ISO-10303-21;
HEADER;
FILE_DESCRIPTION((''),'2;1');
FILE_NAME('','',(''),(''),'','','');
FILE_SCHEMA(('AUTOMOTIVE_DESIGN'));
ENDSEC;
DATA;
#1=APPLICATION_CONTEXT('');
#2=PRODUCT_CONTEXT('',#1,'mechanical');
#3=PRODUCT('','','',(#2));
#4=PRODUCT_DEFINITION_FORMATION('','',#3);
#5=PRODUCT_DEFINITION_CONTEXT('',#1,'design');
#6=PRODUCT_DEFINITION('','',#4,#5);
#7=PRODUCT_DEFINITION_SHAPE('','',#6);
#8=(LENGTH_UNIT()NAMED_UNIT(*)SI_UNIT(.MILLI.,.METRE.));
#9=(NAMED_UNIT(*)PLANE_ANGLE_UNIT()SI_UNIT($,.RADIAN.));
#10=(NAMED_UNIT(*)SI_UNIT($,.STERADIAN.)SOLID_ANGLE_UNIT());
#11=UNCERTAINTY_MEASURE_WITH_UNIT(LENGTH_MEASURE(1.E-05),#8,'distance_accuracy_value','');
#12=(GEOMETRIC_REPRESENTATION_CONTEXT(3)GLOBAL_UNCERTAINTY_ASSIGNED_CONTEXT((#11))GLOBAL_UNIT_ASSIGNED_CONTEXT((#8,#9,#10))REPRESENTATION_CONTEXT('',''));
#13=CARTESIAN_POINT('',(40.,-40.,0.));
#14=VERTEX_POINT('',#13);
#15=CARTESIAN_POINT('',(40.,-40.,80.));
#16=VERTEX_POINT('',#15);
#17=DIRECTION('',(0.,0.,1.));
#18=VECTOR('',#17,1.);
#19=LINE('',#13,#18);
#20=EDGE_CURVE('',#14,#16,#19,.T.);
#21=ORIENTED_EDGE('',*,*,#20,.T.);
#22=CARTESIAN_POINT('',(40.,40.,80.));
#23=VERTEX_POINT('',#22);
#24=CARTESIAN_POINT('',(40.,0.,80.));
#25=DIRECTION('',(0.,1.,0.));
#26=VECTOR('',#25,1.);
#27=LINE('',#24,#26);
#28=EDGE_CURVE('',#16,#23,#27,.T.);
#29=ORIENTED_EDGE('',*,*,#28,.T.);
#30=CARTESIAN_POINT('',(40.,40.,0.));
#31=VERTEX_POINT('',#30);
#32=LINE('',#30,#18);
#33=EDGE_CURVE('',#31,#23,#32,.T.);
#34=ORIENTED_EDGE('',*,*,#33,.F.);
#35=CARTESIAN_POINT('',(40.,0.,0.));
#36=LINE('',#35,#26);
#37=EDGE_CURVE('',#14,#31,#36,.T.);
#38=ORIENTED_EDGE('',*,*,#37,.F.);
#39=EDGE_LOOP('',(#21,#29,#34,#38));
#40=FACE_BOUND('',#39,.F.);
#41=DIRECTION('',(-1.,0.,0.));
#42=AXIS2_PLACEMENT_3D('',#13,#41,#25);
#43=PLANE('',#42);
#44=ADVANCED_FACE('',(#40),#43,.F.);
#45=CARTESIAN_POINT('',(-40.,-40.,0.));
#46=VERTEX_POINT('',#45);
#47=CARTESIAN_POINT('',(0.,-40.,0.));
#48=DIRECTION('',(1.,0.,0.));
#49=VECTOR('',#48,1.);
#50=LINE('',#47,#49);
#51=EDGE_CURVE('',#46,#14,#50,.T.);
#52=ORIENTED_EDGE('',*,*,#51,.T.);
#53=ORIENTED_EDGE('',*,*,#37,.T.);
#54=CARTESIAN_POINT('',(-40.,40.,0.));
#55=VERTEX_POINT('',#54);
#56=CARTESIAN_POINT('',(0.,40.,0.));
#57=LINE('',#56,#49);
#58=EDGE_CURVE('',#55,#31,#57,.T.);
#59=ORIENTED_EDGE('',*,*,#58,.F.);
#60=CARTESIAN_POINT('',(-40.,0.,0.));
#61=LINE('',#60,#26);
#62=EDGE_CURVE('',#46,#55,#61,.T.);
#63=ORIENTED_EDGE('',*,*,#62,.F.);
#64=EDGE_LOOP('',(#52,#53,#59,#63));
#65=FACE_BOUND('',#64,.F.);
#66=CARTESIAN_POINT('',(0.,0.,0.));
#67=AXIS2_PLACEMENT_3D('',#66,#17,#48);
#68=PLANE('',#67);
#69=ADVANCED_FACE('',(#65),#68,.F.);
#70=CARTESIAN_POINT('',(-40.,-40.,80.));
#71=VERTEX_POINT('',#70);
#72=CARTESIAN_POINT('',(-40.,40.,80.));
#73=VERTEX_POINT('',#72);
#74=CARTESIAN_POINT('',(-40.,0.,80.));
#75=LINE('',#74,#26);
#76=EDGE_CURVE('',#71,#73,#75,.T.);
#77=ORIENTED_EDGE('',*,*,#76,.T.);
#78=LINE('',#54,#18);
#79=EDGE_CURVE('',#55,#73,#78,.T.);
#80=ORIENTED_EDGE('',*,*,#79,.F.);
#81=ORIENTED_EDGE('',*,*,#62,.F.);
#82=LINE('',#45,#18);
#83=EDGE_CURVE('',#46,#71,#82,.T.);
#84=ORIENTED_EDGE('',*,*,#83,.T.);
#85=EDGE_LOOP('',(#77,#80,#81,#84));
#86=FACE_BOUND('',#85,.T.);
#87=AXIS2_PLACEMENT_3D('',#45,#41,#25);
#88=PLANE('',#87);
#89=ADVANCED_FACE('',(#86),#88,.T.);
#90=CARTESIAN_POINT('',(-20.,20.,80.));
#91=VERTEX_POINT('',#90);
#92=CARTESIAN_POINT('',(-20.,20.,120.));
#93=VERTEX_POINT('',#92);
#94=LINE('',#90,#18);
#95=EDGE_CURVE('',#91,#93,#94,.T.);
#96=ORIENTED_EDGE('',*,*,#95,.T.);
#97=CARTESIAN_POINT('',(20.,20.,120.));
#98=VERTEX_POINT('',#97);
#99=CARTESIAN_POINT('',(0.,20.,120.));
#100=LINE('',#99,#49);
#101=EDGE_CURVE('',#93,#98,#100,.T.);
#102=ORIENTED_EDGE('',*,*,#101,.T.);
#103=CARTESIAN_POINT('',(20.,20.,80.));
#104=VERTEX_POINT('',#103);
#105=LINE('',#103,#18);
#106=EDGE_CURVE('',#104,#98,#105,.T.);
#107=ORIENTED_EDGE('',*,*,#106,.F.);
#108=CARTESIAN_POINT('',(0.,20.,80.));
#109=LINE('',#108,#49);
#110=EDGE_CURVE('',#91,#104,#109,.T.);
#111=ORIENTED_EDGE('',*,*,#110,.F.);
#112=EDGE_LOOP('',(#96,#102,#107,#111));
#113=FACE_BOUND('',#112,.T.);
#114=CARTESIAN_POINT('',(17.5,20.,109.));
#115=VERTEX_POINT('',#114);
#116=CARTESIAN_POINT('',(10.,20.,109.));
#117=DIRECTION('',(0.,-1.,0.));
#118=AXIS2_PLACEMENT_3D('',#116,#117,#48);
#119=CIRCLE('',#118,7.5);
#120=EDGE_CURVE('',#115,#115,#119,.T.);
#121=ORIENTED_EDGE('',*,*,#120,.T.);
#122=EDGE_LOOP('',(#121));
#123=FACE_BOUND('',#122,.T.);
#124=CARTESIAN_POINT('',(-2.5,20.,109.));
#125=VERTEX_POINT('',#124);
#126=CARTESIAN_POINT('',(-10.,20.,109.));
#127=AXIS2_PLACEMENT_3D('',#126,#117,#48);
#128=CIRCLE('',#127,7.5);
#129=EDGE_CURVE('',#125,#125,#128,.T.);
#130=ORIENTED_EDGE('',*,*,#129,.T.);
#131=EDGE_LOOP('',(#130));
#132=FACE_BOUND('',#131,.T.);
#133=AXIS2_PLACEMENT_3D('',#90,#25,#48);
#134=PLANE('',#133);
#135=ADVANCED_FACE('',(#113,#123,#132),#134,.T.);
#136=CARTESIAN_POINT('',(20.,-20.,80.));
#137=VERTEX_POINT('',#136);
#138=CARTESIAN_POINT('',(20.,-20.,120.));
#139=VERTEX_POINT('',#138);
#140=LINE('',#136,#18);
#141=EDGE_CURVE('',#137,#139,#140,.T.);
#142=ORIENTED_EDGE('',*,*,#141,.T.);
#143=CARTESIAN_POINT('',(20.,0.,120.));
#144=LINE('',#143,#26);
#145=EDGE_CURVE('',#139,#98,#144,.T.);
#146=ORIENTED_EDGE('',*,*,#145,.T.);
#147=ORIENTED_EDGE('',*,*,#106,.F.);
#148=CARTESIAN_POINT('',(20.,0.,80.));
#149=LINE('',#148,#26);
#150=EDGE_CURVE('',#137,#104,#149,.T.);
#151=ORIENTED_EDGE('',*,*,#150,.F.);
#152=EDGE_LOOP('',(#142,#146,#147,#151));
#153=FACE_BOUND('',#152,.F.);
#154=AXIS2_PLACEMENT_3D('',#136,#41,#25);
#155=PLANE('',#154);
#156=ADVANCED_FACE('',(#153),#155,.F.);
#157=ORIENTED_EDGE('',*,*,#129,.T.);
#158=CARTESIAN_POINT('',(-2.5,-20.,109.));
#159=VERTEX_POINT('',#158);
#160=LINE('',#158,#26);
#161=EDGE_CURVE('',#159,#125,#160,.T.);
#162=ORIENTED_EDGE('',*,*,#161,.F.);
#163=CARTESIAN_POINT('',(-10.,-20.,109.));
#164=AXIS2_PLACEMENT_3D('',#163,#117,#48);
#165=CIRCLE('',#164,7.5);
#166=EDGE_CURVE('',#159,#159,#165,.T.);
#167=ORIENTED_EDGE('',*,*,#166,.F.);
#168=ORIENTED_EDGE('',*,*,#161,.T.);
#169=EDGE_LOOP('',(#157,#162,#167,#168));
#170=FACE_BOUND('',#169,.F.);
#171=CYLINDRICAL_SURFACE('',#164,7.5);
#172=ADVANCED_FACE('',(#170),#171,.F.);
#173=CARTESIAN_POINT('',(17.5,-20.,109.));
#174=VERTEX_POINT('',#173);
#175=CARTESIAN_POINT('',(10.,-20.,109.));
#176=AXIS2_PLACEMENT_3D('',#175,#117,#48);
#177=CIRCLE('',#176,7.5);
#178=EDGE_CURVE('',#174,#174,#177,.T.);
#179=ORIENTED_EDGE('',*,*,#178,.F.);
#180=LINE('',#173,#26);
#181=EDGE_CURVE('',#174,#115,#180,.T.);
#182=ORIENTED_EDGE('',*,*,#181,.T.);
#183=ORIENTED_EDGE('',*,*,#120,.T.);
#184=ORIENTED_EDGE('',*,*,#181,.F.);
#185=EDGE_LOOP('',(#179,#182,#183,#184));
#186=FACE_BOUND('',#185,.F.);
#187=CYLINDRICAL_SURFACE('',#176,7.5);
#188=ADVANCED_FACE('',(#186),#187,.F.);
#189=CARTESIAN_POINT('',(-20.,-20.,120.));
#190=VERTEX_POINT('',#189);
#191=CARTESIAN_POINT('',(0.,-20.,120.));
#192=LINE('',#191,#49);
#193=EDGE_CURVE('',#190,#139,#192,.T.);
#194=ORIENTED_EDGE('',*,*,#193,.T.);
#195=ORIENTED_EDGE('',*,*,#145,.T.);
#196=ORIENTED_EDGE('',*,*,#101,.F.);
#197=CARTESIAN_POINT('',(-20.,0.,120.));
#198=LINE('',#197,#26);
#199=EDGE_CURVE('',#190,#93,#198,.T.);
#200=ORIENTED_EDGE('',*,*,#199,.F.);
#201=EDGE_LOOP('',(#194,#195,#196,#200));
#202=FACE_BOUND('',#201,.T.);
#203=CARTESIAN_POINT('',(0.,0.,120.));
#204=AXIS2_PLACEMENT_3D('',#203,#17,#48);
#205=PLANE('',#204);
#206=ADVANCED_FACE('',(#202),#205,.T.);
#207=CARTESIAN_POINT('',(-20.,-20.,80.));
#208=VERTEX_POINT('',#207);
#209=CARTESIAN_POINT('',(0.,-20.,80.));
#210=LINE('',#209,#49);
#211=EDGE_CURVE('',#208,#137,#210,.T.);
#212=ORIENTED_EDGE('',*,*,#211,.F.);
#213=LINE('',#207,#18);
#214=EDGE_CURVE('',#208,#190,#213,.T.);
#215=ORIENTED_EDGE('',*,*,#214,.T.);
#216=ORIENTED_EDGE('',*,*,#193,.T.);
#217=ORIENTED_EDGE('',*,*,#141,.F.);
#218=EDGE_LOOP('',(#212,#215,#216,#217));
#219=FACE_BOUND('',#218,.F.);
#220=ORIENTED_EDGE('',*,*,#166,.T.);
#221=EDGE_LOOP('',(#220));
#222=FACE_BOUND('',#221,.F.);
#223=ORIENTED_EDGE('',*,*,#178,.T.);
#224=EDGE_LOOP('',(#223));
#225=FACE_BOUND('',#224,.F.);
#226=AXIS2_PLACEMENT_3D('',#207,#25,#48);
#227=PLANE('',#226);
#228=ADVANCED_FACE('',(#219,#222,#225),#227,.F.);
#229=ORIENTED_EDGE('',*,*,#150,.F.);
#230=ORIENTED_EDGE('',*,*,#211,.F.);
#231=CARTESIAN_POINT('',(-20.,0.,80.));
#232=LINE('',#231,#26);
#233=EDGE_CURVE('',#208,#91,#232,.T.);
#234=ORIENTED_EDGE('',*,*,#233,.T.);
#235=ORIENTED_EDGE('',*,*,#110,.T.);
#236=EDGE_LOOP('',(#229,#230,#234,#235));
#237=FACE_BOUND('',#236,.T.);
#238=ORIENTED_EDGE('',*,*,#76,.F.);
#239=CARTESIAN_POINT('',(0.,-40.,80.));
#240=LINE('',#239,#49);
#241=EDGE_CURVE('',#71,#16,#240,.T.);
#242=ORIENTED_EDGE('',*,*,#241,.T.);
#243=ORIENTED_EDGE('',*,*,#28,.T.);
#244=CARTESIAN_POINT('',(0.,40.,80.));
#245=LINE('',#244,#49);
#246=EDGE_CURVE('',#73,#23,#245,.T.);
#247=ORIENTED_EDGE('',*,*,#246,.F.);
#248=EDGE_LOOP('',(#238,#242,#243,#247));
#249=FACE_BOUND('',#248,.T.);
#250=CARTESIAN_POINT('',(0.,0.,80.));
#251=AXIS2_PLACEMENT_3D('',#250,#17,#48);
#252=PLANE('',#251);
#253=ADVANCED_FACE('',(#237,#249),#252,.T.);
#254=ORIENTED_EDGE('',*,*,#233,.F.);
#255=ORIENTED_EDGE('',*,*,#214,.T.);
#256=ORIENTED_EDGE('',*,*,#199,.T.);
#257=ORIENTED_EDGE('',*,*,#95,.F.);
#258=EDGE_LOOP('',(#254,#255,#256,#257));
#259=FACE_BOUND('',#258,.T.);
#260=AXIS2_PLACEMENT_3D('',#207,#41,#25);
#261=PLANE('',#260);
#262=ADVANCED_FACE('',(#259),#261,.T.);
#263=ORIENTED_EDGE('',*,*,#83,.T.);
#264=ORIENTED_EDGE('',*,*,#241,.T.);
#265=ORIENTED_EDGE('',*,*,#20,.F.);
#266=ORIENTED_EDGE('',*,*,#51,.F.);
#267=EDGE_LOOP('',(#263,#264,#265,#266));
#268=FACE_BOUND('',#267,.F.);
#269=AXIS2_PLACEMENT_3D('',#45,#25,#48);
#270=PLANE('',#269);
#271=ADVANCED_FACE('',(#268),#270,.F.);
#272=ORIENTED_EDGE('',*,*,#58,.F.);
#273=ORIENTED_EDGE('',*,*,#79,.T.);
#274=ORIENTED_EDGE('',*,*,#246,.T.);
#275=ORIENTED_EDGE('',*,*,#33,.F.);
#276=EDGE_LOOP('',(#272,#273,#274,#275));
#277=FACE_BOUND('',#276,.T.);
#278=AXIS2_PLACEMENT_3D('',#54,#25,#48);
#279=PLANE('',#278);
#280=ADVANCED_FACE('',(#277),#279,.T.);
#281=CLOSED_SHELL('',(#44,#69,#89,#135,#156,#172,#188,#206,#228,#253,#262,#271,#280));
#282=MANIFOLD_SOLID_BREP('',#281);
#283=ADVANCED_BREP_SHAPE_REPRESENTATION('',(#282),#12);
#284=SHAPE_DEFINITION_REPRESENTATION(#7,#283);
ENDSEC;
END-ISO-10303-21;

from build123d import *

# Parameters (mm, degrees)
F0_W     = 80
F0_H     = 80
F1_DEPTH = 80
F2_W     = 40
F2_H     = 40
F3_DEPTH = 40
F4_R     = 7.5
F5_DEPTH = 40
F6_R     = 7.5
F7_DEPTH = 40


with BuildPart() as f1:
    # F0 (on Top) → F1 (new body)
    with BuildSketch(Plane.XY):
        Rectangle(F0_W, F0_H)
    extrude(amount=F1_DEPTH)

    # F2 (on face) → F3 (join)
    with BuildSketch(Plane.XY.offset(80)):
        Rectangle(F2_W, F2_H)
    extrude(amount=F3_DEPTH)

    # F4 (on face) → F5 (cut)
    with BuildSketch(Plane.XZ.offset(20)):
        with Locations((-10, 109)):
            Circle(F4_R)
    extrude(amount=-F5_DEPTH, mode=Mode.SUBTRACT)

    # F6 (on face) → F7 (cut)
    with BuildSketch(Plane.XZ.offset(20)):
        with Locations((10, 109)):
            Circle(F6_R)
    extrude(amount=-F7_DEPTH, mode=Mode.SUBTRACT)


solid = f1.part
